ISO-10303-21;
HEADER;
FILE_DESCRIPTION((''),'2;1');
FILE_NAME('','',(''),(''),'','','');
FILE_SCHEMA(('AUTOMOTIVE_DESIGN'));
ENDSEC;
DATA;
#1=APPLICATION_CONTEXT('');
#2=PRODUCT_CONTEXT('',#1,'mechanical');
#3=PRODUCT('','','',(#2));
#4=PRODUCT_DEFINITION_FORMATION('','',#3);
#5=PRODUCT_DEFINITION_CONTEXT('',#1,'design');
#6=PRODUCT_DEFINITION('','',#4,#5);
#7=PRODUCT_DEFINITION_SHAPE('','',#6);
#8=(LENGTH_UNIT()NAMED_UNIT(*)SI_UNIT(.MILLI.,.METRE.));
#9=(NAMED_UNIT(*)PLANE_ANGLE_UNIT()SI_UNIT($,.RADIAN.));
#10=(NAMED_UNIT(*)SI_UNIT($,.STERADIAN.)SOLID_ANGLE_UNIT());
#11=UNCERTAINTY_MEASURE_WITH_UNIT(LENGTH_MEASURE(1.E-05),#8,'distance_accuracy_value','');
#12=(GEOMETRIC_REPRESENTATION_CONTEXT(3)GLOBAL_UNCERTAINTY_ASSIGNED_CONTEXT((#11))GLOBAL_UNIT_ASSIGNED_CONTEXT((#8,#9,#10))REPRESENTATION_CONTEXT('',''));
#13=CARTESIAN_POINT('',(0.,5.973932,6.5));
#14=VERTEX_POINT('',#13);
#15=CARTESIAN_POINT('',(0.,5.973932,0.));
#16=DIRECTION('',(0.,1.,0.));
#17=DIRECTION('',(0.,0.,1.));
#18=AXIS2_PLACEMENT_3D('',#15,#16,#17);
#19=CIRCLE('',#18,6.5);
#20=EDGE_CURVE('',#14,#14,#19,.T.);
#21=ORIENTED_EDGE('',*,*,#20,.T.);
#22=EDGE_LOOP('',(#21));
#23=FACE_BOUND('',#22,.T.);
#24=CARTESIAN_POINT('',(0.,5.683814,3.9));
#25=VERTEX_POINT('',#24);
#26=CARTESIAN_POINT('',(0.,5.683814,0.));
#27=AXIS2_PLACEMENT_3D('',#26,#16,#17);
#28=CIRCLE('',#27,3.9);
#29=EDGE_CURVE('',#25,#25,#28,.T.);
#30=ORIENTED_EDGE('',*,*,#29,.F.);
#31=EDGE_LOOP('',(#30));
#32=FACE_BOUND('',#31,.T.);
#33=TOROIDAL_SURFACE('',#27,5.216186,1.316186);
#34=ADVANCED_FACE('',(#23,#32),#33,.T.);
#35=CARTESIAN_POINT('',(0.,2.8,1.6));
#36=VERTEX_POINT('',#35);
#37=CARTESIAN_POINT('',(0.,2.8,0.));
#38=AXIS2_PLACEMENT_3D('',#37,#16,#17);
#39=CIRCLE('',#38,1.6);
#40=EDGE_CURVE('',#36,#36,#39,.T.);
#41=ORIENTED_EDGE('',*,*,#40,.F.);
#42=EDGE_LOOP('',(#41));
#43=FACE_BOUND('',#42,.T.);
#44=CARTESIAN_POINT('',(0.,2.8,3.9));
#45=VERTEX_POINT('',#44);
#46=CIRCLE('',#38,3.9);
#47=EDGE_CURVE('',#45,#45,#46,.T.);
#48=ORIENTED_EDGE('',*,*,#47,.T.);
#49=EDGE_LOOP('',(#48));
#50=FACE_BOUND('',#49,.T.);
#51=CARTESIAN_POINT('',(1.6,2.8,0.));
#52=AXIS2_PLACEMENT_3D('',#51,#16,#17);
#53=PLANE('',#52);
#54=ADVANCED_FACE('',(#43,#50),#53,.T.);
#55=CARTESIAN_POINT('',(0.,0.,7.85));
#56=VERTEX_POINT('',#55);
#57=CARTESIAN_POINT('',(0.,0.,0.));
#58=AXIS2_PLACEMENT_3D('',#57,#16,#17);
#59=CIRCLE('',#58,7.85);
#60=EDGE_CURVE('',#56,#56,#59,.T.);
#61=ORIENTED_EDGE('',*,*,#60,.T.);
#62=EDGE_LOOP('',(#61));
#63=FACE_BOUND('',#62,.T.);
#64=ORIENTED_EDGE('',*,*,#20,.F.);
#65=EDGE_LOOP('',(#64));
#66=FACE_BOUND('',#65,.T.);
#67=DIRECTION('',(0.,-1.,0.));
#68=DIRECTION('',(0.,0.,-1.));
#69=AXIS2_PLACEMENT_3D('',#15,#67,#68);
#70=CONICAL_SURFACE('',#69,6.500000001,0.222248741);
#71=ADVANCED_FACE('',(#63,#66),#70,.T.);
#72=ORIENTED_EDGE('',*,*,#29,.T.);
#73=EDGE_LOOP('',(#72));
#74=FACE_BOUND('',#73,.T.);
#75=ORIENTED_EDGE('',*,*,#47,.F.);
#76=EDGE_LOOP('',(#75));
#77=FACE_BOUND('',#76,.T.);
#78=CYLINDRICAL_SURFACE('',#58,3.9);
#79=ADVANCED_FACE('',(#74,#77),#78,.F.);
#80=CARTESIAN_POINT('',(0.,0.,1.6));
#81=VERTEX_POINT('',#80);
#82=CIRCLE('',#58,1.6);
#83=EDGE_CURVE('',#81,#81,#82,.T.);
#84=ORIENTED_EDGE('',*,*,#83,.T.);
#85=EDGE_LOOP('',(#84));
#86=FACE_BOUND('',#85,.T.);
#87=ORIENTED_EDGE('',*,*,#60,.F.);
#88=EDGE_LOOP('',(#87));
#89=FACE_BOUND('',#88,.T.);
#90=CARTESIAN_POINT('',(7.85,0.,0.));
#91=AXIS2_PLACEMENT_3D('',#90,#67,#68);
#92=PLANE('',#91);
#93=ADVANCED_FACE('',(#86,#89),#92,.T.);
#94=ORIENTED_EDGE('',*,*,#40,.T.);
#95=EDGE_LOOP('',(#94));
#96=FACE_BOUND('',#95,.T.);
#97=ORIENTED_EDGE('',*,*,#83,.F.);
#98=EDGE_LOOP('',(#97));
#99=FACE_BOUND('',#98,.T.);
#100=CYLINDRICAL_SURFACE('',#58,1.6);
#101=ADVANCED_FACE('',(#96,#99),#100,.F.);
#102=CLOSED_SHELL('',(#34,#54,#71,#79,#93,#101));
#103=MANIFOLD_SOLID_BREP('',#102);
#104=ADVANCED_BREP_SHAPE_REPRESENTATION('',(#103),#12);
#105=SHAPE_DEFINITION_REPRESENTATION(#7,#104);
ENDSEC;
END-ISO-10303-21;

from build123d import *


with BuildPart() as part:
    # Croquis1 → Revolución1 (revolve)
    with BuildSketch(Plane(origin=(0, 0, 0), x_dir=(-1, 0, 0), z_dir=(0, 0, -1))):
        with BuildLine():
            Line((-1.6, -3e-09), (-1.6, 2.8))
            Line((-1.6, 2.8), (-3.9, 2.8))
            Line((-3.9, 2.8), (-3.9, 5.683813699))
            ThreePointArc((-3.9, 5.683813699), (-5.07022676, 6.991881813), (-6.500000001, 5.973932235))
            Line((-6.500000001, 5.973932235), (-7.849999989, -3e-09))
            Line((-7.849999989, -3e-09), (-1.6, -3e-09))
        make_face()
    revolve(axis=Axis((0, -3e-09, 0), (0, 1, 0)))


solid = part.part
